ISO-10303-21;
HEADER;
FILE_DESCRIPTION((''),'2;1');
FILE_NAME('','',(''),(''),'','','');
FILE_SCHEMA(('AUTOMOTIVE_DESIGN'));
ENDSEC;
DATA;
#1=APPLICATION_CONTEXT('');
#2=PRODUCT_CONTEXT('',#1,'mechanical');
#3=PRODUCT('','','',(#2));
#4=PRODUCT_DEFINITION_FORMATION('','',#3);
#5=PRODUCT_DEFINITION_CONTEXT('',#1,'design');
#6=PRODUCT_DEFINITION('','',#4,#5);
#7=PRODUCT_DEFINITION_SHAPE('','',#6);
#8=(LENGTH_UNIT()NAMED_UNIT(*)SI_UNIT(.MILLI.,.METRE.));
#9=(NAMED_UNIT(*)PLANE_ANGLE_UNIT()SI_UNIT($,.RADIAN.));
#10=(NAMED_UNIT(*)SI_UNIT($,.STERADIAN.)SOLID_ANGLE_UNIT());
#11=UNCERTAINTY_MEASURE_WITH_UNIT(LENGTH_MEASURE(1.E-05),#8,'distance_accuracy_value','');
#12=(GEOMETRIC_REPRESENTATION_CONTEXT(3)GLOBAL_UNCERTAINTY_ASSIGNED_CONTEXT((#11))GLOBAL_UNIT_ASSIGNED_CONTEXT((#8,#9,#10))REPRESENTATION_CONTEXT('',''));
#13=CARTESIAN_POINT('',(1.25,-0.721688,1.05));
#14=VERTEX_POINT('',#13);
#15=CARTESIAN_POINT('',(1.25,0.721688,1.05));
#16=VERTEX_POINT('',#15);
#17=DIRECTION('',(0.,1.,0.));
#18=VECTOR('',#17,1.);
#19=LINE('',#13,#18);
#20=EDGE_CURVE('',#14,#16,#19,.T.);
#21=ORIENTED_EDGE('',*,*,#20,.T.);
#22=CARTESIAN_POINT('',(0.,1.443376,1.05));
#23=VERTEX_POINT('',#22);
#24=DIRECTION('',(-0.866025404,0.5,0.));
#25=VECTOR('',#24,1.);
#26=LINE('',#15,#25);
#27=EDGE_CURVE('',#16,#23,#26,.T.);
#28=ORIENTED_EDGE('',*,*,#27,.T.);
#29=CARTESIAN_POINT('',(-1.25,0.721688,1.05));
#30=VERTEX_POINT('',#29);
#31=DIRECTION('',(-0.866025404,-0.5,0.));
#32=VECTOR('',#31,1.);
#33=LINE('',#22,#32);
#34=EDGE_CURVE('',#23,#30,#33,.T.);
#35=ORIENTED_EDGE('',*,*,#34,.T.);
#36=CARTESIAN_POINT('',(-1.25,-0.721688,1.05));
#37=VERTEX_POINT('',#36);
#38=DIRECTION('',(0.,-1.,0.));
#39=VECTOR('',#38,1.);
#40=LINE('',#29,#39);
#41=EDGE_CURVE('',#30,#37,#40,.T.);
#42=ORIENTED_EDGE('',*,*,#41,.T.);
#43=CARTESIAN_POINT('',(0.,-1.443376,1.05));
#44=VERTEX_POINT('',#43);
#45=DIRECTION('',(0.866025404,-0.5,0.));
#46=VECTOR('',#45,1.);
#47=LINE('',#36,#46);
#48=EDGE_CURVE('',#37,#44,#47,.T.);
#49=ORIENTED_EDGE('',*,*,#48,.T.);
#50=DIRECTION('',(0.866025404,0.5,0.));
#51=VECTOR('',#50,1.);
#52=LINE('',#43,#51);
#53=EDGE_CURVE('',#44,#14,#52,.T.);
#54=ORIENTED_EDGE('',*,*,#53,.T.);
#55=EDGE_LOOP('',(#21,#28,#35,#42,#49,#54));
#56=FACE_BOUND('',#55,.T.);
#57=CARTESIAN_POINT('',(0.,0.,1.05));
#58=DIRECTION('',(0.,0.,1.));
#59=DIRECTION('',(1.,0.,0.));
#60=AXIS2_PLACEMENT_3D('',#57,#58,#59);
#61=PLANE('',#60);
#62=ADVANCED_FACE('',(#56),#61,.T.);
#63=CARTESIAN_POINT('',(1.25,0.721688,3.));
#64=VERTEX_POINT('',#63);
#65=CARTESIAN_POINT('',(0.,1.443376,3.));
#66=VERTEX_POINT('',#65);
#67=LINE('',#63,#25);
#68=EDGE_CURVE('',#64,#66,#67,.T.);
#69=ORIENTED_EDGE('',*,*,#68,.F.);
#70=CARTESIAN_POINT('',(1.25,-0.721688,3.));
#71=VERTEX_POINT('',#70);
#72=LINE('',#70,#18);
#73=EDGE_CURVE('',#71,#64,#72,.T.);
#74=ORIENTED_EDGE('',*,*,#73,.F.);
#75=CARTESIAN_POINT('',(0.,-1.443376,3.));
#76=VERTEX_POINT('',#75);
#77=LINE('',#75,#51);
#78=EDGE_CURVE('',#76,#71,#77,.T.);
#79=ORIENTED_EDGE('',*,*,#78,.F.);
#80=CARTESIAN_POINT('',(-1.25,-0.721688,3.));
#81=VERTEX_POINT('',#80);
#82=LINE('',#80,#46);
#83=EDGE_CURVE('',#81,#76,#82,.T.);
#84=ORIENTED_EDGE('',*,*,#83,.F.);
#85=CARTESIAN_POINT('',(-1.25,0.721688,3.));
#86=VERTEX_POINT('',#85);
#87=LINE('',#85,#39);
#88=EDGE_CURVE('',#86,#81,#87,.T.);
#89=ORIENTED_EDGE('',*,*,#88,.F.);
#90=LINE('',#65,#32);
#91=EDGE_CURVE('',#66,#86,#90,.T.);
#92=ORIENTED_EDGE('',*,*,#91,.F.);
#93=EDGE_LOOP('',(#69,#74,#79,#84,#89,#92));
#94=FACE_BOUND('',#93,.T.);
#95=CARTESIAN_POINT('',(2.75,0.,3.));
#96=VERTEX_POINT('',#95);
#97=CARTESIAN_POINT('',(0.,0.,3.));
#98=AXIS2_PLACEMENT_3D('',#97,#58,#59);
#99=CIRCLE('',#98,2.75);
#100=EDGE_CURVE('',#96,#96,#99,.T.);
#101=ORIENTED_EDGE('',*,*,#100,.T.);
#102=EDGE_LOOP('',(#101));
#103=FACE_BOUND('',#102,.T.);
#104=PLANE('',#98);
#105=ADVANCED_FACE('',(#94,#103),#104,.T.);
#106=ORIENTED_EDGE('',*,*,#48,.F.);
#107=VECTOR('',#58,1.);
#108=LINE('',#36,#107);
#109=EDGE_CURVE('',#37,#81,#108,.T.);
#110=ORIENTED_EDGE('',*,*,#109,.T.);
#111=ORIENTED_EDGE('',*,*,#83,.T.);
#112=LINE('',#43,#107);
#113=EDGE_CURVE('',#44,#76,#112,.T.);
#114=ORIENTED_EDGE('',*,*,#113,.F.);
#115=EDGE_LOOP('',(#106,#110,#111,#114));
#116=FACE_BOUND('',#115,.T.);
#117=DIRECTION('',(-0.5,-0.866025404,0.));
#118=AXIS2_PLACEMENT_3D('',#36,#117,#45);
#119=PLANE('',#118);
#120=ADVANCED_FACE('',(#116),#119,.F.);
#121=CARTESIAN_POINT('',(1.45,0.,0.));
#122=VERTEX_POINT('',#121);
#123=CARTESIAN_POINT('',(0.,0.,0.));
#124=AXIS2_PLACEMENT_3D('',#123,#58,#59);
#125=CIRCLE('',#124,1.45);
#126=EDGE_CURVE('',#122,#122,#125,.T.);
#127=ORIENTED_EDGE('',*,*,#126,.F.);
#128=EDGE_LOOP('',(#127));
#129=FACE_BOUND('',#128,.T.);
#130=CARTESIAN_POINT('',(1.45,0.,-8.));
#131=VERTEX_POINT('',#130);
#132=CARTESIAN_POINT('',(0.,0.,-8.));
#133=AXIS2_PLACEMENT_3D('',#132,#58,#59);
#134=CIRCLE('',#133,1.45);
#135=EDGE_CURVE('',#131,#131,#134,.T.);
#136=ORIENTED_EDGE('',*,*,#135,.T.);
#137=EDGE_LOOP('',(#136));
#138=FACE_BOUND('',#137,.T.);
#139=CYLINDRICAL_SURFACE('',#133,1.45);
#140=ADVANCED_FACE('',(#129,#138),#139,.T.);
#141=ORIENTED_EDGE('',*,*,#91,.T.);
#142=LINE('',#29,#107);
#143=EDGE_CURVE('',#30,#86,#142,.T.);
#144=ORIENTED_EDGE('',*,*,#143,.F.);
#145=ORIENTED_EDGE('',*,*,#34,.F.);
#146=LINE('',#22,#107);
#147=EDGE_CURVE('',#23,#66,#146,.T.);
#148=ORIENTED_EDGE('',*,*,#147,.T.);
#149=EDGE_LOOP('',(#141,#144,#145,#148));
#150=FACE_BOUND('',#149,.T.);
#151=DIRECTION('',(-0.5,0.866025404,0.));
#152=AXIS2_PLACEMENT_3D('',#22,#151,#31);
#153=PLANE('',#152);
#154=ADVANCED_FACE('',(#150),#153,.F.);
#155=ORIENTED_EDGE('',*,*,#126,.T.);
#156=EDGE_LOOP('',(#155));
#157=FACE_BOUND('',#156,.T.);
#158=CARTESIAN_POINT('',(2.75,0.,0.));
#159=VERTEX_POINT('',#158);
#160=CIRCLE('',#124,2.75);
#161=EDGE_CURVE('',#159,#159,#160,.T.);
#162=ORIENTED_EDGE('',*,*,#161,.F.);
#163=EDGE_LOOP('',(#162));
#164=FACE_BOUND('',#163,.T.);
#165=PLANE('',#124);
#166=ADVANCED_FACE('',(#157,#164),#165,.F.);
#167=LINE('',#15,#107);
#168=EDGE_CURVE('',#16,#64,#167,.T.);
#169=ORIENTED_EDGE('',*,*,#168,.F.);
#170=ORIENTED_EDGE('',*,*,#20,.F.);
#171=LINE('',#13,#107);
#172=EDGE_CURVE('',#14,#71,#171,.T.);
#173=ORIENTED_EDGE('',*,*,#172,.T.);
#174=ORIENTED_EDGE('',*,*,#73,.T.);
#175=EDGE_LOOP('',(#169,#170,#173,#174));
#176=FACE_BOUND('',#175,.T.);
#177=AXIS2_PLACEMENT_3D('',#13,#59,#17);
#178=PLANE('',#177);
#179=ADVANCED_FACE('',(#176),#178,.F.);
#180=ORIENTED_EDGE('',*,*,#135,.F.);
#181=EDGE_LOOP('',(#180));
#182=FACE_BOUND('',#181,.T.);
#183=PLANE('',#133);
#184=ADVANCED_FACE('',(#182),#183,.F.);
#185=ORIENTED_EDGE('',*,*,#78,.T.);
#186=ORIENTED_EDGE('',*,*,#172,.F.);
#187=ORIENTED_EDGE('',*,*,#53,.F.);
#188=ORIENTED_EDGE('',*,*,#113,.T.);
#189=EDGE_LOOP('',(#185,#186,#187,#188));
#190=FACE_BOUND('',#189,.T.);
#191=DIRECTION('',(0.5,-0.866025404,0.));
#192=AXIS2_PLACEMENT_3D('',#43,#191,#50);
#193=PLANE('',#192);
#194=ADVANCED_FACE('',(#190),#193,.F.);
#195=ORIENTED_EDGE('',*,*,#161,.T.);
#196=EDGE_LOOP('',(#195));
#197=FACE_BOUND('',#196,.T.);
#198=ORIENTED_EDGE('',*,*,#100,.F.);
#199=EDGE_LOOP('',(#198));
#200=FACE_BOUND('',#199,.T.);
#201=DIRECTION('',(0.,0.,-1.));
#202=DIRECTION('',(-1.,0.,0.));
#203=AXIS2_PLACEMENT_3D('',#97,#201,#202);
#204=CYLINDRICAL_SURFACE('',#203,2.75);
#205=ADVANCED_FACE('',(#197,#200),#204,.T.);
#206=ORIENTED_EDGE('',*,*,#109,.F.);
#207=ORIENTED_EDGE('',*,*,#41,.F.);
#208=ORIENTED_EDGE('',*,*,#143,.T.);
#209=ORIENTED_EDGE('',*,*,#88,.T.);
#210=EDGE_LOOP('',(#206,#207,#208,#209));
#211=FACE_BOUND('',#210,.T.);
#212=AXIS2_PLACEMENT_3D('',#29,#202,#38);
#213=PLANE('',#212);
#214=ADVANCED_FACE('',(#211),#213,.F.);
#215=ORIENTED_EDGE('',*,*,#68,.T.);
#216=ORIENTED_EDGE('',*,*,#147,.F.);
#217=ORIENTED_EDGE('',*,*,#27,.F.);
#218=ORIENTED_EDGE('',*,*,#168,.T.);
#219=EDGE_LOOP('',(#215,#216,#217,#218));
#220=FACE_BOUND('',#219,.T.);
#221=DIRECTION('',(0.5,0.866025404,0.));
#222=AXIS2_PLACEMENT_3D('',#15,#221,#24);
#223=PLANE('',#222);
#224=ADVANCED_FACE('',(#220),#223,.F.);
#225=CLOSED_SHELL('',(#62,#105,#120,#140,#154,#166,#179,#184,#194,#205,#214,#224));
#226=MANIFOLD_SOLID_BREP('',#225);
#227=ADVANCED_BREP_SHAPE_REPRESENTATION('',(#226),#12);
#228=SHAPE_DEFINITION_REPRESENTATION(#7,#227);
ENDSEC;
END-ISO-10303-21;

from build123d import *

# Parameters (mm, degrees)
SKETCH_1_R                     = 1.45
SHANK_THREADS_SIMPLIFIED_DEPTH = 8
SKETCH_2_R                     = 2.75
SOCKET_HEAD_DEPTH              = 3
HEX_SOCKET_DEPTH               = 1.95


with BuildPart() as part:
    # 草图1 → Shank_threads_simplified (new body)
    with BuildSketch(Plane.XY):
        Circle(SKETCH_1_R)
    extrude(amount=-SHANK_THREADS_SIMPLIFIED_DEPTH)

    # 草图2 → Socket_head (add)
    with BuildSketch(Plane.XY):
        Circle(SKETCH_2_R)
    extrude(amount=SOCKET_HEAD_DEPTH)

    # 草图3 → Hex_socket (cut)
    with BuildSketch(Plane.XY.offset(3)):
        Polygon((1.25, 0.721687836), (0, 1.443375673), (-1.25, 0.721687836), (-1.25, -0.721687836), (0, -1.443375673), (1.25, -0.721687836), align=None)
    extrude(amount=-HEX_SOCKET_DEPTH, mode=Mode.SUBTRACT)


solid = part.part
